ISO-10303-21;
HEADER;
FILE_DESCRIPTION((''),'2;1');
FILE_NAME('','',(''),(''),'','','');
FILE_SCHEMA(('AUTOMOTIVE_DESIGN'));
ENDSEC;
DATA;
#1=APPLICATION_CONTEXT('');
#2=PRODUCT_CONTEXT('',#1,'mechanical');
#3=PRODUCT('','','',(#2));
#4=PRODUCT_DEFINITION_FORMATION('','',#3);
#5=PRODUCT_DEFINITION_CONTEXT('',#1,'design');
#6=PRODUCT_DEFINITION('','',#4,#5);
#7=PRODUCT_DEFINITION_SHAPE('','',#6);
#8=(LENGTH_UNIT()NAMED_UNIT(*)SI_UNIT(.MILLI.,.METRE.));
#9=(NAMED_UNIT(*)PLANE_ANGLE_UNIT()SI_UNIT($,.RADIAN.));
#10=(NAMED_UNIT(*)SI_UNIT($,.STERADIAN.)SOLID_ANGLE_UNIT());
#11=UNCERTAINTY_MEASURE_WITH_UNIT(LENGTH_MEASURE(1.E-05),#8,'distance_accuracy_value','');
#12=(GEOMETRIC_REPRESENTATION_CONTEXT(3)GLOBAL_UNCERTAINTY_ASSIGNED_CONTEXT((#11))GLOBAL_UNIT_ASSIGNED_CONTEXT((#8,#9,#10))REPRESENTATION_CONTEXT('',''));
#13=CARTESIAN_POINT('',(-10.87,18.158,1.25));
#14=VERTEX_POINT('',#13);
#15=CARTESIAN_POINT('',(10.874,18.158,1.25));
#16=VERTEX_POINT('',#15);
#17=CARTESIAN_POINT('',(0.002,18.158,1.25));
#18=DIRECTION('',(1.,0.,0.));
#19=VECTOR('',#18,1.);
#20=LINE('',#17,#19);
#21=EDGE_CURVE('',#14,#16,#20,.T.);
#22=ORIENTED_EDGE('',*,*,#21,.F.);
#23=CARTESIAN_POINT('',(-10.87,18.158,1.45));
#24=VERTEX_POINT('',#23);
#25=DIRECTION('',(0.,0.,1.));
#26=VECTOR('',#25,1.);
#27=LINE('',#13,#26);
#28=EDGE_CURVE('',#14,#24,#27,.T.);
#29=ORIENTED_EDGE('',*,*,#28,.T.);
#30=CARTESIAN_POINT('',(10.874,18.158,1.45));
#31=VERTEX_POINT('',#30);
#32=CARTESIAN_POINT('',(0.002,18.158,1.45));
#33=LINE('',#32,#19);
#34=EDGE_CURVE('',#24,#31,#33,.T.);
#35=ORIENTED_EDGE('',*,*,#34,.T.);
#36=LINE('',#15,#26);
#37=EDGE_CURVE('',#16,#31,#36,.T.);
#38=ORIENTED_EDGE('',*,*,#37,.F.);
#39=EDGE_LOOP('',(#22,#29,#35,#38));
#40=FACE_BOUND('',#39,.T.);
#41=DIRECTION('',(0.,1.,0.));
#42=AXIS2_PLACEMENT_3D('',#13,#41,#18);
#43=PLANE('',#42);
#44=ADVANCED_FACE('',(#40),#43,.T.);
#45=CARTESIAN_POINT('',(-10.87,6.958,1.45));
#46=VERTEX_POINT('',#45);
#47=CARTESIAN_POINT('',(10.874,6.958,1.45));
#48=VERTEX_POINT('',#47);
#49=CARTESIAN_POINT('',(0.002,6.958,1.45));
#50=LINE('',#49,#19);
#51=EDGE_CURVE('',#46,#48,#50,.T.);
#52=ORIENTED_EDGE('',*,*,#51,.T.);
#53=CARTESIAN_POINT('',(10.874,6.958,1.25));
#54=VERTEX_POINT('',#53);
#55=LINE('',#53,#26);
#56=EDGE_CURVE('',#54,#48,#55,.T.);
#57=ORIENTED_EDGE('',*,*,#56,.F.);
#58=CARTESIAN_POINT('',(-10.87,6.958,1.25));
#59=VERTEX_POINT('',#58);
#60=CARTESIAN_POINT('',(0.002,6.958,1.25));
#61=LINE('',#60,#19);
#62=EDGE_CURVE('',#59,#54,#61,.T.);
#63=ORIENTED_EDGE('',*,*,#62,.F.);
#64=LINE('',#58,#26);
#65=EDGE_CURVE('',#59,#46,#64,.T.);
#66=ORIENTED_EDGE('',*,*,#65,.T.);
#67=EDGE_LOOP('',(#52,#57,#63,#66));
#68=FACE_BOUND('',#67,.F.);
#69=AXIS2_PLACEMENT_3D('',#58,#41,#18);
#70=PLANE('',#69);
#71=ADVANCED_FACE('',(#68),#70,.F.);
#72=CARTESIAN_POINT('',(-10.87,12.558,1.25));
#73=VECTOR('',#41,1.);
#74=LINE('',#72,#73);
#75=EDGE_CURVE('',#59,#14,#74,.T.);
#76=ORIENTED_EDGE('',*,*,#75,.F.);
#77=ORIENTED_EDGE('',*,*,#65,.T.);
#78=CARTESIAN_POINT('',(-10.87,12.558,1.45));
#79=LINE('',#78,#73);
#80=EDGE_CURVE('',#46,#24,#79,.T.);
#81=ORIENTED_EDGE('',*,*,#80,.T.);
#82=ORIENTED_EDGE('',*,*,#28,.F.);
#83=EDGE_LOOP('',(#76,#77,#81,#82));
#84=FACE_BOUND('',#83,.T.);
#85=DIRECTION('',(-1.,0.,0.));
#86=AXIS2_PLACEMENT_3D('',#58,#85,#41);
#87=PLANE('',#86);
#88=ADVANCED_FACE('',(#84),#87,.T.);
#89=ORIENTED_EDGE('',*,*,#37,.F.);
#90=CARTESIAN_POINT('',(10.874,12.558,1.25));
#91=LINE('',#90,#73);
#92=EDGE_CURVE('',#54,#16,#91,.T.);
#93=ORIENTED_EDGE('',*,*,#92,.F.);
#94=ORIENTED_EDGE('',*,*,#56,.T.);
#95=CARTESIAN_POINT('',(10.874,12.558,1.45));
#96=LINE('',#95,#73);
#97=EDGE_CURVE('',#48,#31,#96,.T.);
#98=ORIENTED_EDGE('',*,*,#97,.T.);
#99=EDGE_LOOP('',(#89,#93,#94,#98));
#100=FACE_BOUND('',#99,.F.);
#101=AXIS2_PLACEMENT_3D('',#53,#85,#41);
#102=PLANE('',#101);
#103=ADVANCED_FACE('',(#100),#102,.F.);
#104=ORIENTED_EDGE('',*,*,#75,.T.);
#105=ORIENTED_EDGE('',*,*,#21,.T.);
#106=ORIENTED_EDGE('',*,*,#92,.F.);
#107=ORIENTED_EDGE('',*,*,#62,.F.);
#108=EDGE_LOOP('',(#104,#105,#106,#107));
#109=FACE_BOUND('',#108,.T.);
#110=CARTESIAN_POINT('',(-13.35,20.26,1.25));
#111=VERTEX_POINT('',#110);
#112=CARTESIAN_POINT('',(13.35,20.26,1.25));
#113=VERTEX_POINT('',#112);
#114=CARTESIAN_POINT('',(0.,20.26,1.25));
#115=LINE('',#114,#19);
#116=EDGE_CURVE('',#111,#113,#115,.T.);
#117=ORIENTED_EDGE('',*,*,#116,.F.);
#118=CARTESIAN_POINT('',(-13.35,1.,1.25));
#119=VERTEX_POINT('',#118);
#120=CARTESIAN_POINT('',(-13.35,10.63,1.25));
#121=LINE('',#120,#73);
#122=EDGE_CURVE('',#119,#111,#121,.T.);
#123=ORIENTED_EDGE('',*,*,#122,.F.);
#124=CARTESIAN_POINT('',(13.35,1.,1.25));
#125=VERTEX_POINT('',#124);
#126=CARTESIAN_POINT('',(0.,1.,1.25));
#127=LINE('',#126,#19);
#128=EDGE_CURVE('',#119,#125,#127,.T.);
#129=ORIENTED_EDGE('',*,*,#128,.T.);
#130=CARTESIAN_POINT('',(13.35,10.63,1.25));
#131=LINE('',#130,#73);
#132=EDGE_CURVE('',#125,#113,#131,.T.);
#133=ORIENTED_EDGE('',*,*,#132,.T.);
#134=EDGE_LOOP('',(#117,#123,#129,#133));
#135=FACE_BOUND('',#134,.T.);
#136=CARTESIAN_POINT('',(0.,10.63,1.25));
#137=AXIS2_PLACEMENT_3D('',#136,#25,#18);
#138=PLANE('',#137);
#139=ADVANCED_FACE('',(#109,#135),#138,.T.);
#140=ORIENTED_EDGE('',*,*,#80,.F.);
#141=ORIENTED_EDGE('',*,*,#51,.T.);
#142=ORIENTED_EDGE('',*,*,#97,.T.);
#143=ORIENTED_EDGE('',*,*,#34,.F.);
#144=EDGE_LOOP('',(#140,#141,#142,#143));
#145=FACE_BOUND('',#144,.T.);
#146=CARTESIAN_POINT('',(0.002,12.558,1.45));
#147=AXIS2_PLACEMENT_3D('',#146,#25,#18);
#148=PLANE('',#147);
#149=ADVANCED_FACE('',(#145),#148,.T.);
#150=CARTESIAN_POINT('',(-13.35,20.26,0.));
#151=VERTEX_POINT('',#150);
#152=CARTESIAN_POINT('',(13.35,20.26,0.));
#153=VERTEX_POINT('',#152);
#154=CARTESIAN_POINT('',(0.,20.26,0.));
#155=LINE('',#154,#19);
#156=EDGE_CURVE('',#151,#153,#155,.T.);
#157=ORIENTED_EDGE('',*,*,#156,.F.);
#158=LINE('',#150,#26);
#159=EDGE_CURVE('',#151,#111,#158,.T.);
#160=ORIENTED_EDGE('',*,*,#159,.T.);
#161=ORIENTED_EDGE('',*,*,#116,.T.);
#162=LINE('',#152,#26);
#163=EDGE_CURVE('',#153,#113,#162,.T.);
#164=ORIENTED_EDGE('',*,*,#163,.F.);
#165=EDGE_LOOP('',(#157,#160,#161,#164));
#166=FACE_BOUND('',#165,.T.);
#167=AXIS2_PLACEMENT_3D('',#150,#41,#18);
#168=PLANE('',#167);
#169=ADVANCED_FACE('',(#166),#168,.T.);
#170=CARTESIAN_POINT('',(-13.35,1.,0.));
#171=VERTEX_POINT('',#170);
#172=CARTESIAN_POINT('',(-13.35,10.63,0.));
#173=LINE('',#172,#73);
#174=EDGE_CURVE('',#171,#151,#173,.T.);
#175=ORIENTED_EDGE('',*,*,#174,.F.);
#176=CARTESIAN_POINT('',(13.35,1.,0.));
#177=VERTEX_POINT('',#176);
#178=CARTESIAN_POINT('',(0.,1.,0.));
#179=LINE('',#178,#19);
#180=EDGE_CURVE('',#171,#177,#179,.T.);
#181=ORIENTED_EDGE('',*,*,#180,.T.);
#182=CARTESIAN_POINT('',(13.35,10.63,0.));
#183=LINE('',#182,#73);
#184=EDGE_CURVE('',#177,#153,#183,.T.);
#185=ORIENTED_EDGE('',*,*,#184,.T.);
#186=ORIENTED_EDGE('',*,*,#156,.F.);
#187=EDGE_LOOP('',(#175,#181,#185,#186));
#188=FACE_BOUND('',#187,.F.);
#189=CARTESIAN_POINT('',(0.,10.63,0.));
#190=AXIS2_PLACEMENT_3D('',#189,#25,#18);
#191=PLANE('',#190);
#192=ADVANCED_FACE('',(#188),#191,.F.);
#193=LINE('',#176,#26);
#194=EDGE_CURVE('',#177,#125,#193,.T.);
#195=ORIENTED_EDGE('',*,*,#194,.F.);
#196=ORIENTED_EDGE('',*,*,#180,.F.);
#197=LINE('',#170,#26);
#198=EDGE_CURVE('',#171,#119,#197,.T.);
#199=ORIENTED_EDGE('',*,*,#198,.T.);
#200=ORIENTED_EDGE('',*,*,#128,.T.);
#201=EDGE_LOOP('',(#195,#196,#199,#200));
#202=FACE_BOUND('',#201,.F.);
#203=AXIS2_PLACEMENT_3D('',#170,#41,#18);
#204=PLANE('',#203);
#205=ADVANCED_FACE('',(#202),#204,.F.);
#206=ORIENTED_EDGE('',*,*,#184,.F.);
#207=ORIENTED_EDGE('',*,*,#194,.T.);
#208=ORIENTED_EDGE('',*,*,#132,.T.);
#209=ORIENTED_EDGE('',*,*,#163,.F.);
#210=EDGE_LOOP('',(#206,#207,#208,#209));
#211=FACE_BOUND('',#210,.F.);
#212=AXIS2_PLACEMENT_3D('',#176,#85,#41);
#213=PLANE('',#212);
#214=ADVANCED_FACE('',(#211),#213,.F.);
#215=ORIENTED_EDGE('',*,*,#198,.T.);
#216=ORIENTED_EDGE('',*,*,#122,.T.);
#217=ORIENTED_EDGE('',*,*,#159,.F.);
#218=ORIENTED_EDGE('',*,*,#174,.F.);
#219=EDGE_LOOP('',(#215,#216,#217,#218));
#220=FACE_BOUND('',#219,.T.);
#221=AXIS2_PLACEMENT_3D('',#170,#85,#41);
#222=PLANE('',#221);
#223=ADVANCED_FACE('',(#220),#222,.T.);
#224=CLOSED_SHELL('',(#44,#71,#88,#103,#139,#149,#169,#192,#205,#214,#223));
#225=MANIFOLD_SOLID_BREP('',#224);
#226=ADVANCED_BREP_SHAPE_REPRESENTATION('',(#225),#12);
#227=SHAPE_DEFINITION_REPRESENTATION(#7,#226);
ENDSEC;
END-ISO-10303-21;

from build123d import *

# Parameters (mm, degrees)
BOX001_W     = 26.7
BOX001_H     = 19.26
BOX001_DEPTH = 1.25
BOX002_W     = 21.744
BOX002_H     = 11.2
BOX002_DEPTH = 0.2


with BuildPart() as controller:
    # Box001 → Box001 (new body)
    with BuildSketch(Plane(origin=(-13.35, 1, 0), x_dir=(1, 0, 0), z_dir=(0, 0, 1))):
        with Locations((13.35, 9.63)):
            Rectangle(BOX001_W, BOX001_H)
    extrude(amount=BOX001_DEPTH)


with BuildPart() as fusion:
    # Box002 → Box002 (new body)
    with BuildSketch(Plane(origin=(-10.87, 6.958, 1.25), x_dir=(1, 0, 0), z_dir=(0, 0, 1))):
        with Locations((10.872, 5.6)):
            Rectangle(BOX002_W, BOX002_H)
    extrude(amount=BOX002_DEPTH)

    # Fusion: union controller
    add(controller.part)


solid = fusion.part
